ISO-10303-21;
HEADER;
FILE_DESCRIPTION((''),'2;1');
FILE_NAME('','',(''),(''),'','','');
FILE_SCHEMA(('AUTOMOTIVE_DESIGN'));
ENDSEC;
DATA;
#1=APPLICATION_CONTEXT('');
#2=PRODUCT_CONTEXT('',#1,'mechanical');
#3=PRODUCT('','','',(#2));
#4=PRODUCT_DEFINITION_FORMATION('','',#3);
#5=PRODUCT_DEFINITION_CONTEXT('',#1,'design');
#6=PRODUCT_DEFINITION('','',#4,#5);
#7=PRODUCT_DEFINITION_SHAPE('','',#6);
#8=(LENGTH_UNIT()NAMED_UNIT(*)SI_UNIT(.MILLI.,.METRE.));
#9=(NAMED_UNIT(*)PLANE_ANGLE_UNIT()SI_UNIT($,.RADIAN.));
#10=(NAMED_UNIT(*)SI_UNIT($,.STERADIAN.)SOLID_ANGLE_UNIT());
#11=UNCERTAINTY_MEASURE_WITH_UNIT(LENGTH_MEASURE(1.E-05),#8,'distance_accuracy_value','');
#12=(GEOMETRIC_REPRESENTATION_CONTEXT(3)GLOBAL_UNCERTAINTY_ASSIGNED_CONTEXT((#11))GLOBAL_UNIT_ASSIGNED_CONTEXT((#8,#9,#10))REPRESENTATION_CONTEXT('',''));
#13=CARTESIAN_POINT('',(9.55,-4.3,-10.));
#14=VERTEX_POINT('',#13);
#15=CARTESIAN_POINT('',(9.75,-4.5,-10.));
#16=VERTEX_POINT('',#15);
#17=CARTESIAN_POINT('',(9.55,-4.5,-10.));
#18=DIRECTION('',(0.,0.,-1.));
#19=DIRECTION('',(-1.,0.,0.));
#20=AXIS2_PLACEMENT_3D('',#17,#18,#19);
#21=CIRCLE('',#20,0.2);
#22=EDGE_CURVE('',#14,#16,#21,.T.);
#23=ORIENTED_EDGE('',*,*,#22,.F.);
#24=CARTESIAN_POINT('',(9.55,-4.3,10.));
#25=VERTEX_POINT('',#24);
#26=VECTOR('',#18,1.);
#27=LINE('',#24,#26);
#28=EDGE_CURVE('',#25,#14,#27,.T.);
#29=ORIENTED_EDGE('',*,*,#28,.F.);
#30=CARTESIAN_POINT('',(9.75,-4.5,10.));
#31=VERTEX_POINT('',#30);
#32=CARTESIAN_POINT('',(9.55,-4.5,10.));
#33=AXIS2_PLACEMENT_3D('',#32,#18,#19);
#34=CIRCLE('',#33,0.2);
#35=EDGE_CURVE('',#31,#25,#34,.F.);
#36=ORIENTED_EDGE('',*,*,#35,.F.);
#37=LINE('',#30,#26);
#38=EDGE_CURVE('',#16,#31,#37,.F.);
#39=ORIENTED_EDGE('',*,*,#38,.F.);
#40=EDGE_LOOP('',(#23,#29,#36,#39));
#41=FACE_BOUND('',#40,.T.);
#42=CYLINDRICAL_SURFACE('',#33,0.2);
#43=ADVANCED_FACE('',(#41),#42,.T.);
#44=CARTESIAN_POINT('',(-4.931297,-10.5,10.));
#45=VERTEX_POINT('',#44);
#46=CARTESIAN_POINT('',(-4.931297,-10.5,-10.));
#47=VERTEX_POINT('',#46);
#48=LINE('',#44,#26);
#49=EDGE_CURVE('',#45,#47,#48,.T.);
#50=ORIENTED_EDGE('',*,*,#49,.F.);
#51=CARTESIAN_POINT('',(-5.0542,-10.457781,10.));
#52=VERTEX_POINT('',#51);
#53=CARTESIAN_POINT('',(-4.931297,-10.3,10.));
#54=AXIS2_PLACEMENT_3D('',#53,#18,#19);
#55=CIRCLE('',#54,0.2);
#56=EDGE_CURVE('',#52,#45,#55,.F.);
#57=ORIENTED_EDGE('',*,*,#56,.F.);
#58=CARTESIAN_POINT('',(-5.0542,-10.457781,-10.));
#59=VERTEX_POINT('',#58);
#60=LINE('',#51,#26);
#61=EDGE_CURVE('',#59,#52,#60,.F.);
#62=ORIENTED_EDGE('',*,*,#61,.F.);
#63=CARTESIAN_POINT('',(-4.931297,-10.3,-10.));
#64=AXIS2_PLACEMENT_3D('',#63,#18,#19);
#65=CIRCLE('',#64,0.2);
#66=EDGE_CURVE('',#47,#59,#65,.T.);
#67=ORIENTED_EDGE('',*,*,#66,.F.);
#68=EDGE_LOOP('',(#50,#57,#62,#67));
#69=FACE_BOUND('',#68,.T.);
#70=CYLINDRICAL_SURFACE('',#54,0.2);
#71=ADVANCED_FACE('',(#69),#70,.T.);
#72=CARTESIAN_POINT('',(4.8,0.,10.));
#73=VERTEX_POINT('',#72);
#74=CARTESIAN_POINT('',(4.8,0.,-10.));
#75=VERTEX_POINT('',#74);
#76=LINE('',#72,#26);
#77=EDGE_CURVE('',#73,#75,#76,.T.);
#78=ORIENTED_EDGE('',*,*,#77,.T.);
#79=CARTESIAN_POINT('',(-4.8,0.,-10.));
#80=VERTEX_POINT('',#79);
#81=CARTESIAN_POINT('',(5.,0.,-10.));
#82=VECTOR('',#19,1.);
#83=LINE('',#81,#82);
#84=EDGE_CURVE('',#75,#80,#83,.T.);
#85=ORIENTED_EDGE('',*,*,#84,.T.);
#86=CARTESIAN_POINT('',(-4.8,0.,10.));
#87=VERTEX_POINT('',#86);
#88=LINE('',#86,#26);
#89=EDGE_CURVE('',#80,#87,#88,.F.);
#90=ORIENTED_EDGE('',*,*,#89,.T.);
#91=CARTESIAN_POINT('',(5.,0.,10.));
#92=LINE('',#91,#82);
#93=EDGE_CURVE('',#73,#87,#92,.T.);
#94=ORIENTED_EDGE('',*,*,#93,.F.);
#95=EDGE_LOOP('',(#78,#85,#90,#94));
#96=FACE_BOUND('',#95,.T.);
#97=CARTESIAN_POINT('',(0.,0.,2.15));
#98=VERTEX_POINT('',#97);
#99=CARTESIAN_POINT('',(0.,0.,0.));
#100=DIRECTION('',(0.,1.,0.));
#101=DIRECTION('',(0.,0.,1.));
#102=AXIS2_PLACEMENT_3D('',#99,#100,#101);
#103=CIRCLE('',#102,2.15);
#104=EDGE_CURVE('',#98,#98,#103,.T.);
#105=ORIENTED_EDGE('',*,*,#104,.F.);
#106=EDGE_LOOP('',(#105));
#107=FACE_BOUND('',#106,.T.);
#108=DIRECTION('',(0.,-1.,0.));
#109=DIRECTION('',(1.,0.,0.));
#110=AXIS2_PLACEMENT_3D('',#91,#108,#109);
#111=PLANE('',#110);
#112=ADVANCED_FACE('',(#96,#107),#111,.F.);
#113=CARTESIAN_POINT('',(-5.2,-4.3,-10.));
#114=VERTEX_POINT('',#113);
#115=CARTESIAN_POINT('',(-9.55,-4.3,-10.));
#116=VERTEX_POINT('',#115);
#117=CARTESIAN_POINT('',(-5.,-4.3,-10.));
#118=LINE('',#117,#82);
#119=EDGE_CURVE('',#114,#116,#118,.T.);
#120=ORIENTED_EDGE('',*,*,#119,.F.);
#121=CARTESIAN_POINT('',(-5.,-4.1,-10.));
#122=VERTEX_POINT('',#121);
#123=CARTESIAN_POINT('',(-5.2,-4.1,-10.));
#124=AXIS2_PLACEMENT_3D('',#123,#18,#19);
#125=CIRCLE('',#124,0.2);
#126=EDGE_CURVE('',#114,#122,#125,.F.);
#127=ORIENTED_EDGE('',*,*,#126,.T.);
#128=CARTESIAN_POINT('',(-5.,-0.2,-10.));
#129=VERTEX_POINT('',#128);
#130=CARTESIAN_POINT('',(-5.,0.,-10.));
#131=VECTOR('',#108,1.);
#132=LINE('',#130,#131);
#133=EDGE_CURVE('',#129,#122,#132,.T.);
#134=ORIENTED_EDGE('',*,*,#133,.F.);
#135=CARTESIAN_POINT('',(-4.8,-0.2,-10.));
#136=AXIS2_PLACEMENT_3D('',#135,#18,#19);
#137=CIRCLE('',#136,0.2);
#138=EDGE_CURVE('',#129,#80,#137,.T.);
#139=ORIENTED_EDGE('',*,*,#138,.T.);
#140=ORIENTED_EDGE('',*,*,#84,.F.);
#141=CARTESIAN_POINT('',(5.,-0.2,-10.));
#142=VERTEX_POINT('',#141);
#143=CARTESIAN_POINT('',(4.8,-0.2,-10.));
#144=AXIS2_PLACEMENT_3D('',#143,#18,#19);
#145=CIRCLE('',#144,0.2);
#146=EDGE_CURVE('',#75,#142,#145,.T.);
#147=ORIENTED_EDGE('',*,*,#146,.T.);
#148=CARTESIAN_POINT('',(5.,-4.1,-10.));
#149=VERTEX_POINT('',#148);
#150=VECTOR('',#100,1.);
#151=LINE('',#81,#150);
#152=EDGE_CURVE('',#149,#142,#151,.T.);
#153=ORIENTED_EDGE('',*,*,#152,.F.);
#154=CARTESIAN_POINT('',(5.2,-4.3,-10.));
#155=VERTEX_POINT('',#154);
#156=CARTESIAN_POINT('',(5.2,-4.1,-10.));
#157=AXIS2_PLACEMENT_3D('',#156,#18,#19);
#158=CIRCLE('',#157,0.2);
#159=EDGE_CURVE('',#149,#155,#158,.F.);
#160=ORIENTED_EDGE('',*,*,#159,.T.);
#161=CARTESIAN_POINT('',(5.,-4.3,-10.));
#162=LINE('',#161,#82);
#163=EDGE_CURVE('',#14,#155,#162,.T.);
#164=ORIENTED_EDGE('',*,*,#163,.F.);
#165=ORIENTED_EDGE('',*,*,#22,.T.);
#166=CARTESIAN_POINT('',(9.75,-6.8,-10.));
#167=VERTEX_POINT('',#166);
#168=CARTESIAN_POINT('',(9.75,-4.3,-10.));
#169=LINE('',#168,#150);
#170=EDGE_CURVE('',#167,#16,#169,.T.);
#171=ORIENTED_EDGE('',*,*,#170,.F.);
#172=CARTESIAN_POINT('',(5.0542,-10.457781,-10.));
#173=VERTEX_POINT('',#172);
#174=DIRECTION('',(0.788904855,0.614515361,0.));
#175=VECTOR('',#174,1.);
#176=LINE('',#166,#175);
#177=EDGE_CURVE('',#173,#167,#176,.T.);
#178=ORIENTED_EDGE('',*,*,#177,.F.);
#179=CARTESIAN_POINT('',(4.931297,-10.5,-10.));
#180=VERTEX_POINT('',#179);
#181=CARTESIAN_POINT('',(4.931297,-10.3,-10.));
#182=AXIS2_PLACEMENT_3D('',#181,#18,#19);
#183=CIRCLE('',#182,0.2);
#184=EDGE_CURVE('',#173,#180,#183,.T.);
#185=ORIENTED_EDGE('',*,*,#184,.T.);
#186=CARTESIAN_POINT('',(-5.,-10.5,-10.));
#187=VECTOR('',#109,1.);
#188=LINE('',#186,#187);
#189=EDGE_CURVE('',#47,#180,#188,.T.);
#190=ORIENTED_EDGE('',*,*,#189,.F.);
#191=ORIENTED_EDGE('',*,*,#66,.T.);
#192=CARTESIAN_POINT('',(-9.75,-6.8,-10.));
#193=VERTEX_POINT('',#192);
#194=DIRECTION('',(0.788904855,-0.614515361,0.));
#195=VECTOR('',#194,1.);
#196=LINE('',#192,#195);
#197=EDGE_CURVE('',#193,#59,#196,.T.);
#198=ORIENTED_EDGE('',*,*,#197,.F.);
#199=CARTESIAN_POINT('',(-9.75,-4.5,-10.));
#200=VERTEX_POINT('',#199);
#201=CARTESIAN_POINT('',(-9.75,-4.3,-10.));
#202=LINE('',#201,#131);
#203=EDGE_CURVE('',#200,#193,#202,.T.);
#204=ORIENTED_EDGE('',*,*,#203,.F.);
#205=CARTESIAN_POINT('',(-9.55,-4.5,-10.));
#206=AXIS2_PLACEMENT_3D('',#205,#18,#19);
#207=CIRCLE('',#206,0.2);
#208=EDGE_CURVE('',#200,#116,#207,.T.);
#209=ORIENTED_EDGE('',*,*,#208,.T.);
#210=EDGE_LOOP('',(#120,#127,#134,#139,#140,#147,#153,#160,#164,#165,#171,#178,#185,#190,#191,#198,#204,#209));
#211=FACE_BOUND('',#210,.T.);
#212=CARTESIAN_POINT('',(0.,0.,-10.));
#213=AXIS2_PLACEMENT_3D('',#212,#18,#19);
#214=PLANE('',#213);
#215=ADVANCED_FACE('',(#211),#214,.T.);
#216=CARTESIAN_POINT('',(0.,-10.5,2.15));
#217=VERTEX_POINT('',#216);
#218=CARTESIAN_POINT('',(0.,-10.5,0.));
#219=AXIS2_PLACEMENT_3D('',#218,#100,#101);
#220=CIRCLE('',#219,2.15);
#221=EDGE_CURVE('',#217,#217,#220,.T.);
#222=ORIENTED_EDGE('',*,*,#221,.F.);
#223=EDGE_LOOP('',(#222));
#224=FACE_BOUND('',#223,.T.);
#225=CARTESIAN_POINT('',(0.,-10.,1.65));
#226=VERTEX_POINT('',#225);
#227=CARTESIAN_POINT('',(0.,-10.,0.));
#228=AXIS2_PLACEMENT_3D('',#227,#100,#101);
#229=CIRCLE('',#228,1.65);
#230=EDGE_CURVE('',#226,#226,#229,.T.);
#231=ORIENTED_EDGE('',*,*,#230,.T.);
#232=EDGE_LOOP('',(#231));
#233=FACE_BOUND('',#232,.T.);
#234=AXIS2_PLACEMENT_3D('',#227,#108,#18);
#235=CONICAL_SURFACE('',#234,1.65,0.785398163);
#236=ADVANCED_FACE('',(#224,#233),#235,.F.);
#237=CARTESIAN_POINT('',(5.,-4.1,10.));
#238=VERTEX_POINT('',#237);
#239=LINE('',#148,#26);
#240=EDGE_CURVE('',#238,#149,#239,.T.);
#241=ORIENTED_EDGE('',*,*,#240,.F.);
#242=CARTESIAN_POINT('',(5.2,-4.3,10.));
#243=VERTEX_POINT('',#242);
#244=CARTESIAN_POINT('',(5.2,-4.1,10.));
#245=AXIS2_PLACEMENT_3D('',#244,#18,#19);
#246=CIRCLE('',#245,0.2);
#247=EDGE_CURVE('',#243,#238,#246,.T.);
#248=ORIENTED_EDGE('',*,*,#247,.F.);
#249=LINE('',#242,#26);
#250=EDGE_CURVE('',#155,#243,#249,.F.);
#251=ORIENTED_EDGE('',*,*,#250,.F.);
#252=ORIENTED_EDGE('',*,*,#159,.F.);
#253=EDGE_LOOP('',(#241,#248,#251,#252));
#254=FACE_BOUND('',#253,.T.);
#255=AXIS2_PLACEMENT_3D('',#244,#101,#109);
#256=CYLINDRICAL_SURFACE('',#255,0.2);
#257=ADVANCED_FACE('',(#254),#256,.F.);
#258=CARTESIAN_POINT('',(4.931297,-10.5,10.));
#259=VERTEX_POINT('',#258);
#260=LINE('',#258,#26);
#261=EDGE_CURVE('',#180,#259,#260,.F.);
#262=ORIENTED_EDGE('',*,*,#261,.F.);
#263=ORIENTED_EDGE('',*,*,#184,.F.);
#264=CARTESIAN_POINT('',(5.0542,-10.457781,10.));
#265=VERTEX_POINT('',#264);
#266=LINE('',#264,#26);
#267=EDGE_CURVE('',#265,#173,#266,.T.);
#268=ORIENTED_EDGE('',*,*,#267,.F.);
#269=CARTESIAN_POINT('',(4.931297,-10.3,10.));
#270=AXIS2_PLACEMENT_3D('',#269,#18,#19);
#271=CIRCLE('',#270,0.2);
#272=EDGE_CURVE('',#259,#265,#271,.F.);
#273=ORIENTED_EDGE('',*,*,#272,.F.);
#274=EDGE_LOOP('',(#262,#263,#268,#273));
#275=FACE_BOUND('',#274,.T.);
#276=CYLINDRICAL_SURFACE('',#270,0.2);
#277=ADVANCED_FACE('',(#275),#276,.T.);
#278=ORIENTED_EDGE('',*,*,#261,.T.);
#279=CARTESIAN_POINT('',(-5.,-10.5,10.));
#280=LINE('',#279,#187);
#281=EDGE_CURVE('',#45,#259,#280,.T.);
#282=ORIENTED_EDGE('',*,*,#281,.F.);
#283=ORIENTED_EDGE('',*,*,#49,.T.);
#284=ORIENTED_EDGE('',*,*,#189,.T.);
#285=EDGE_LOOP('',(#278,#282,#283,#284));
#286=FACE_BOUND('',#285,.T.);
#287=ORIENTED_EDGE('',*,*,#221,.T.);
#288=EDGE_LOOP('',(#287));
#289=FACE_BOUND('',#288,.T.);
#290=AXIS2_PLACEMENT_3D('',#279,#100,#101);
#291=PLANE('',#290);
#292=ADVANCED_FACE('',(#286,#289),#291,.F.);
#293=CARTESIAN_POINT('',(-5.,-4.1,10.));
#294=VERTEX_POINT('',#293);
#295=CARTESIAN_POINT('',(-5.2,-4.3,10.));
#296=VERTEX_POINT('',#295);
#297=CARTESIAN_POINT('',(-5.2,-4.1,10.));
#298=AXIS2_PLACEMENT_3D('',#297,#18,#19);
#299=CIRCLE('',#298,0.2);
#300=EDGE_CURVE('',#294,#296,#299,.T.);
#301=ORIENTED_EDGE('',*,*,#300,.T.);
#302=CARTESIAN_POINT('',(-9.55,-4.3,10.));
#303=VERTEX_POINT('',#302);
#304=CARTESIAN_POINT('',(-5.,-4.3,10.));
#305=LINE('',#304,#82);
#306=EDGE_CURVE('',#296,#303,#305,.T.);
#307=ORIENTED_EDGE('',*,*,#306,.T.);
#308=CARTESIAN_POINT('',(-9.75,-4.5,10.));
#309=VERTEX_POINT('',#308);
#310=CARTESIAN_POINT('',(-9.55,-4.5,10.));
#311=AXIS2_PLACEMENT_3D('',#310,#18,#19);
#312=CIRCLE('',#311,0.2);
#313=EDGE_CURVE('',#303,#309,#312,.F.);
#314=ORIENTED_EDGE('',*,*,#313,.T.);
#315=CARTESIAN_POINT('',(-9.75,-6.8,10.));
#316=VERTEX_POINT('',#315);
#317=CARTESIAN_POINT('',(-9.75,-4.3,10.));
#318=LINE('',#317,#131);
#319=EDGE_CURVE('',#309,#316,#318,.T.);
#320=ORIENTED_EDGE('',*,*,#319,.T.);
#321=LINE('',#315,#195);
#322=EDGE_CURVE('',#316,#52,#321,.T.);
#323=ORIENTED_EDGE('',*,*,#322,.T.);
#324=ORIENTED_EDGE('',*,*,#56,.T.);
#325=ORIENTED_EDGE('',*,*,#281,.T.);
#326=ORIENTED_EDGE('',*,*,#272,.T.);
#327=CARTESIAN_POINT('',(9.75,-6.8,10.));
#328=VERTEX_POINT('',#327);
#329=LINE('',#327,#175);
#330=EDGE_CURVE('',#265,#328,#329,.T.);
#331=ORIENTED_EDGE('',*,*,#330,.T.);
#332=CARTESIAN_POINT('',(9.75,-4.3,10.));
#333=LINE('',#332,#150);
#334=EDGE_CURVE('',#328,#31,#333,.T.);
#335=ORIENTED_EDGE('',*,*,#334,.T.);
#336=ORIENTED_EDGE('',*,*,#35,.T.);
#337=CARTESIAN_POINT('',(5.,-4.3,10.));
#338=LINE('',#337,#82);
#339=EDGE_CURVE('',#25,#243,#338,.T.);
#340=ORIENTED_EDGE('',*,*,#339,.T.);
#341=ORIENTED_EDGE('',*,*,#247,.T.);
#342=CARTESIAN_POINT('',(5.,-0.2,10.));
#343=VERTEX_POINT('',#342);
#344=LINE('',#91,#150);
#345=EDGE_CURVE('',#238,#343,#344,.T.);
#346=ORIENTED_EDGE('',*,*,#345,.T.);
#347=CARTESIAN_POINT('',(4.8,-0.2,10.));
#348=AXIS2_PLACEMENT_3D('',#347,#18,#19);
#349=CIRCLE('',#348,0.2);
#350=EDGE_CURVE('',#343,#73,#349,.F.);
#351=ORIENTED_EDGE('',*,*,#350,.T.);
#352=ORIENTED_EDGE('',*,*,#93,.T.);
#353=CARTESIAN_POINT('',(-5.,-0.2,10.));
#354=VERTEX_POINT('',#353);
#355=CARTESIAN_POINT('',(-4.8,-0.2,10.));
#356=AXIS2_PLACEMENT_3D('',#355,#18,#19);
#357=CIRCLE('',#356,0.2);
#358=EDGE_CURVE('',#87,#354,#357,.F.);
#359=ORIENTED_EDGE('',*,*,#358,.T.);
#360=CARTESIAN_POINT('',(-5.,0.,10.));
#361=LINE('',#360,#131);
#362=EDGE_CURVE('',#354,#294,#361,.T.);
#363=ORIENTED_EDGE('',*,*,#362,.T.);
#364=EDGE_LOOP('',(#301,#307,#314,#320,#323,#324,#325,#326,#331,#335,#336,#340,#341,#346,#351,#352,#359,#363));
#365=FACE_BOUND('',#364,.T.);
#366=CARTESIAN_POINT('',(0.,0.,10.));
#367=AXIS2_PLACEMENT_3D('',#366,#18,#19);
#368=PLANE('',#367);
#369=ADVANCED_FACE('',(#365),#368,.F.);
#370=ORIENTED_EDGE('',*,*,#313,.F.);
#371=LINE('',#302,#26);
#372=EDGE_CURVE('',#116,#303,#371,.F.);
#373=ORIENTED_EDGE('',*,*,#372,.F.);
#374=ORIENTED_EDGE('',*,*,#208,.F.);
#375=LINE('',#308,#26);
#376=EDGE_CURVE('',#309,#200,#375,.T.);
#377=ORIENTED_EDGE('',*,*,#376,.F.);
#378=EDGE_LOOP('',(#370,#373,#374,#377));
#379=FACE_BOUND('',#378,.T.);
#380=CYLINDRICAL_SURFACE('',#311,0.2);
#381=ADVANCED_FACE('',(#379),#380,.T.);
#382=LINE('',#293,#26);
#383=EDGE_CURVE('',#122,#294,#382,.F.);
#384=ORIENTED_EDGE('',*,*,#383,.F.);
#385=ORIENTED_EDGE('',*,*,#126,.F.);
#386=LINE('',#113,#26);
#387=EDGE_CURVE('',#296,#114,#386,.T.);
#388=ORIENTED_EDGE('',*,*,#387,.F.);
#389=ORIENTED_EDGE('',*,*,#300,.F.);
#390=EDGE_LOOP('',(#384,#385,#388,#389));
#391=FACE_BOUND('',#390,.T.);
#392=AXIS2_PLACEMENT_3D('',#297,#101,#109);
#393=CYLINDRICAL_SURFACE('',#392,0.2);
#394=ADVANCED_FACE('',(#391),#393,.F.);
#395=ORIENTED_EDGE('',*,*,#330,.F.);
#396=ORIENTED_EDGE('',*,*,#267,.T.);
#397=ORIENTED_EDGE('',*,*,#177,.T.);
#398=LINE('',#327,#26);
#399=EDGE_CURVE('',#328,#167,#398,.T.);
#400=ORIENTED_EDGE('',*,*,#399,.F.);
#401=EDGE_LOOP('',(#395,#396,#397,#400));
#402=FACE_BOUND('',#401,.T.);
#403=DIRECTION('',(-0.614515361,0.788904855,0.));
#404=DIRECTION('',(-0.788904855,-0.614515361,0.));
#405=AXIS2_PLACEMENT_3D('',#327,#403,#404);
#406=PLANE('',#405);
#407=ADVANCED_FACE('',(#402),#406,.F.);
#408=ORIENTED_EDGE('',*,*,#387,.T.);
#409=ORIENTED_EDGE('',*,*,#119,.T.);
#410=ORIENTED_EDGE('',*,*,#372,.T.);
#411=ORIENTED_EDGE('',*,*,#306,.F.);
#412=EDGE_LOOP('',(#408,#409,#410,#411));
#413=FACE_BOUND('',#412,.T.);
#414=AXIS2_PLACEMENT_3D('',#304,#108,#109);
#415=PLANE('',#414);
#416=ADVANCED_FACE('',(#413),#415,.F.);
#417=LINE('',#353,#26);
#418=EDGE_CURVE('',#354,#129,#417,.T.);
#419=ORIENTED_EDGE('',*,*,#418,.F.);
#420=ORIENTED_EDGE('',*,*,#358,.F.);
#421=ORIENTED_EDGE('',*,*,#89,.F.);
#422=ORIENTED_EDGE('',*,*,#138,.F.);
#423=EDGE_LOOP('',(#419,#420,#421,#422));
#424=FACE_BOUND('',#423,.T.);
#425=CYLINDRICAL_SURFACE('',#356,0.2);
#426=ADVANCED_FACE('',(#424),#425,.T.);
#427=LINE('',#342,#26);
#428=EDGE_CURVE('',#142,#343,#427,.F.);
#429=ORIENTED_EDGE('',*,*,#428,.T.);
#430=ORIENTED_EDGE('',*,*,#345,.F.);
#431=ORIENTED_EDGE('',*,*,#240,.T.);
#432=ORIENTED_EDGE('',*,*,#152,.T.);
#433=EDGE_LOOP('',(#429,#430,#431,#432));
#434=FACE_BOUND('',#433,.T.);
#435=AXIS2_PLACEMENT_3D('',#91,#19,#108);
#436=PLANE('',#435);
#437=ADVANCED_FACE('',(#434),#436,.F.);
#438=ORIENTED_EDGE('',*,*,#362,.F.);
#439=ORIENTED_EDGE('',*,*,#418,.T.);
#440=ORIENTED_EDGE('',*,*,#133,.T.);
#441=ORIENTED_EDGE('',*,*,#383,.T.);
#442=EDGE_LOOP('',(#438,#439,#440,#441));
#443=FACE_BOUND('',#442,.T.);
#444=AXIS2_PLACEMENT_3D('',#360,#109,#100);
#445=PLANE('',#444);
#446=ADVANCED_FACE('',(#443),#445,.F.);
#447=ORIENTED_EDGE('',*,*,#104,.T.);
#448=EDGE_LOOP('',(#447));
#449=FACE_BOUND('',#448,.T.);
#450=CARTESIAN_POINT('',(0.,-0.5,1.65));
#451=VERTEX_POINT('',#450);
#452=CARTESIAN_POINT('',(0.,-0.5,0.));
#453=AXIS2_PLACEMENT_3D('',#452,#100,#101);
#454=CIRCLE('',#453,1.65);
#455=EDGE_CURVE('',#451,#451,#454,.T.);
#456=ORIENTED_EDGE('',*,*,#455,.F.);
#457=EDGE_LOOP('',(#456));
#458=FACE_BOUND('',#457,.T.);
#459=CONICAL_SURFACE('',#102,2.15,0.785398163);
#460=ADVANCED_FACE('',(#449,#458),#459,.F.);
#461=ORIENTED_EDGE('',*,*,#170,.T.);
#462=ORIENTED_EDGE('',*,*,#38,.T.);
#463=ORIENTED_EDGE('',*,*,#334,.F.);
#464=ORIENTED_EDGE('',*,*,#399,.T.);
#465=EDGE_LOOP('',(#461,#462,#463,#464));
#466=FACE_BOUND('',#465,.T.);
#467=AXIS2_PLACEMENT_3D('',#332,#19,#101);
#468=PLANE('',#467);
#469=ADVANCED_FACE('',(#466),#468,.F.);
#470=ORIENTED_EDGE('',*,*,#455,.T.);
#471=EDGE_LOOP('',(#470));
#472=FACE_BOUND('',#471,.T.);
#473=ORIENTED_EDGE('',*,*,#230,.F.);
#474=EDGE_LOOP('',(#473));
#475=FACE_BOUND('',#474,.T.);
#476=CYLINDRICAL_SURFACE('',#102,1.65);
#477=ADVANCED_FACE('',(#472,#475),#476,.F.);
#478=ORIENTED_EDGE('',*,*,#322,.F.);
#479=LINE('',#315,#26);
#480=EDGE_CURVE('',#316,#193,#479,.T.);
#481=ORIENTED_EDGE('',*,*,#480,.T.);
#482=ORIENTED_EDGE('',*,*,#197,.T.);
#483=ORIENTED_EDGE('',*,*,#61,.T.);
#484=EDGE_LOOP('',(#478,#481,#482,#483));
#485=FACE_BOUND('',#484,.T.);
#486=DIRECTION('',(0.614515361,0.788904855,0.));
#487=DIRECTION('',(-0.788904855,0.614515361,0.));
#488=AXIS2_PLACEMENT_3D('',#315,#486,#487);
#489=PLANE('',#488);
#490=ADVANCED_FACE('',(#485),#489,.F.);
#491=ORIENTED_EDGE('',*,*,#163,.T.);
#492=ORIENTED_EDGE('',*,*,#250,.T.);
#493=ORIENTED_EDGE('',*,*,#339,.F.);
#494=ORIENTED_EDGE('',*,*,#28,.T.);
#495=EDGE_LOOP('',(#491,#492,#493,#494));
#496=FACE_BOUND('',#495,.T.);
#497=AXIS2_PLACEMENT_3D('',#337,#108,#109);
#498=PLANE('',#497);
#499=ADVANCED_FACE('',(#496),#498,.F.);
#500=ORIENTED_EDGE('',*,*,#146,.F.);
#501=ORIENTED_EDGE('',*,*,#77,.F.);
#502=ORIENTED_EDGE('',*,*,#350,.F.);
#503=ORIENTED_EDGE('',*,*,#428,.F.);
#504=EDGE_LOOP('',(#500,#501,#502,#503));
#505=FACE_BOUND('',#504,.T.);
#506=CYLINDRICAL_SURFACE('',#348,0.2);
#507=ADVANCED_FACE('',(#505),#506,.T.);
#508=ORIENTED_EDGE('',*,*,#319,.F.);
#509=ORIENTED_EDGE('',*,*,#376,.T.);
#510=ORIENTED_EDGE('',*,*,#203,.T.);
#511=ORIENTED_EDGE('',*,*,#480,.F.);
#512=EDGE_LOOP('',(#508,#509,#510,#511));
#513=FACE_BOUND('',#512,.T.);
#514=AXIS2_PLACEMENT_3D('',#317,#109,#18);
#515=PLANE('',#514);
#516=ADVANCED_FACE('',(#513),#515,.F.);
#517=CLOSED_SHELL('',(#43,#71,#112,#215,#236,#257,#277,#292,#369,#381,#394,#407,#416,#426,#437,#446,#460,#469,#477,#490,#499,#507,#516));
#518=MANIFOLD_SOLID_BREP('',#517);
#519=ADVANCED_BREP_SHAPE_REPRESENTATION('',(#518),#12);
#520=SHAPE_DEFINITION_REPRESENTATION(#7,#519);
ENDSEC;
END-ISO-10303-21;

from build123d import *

# Parameters (mm, degrees)
EXTRUDE_1_DEPTH = 10
FILLET_1_R      = 0.2


with BuildPart() as part:
    # Эскиз1 → Бобышка-Вытянуть1 (new body, symmetric)
    with BuildSketch(Plane.XY):
        Polygon((5, 0), (-5, 0), (-5, -4.3), (-9.75, -4.3), (-9.75, -6.8), (-5, -10.5), (5, -10.5), (9.75, -6.8), (9.75, -4.3), (5, -4.3), align=None)
    extrude(amount=EXTRUDE_1_DEPTH, both=True)

    # Эскиз4 → Отверстие обработанное метчиком M44 (revolve, cut)
    with BuildSketch(Plane(origin=(0, 0, 0), x_dir=(0, 0, 1), z_dir=(1, 0, 0))):
        Polygon((0, 0), (0, 10.5), (2.15, 10.5), (1.65, 10), (1.65, 0.5), (2.15, 0), align=None)
    revolve(axis=Axis((0, 6.35, 0), (0, -1, 0)), mode=Mode.SUBTRACT)

    # Скругление1
    fillet_1_edges = [part.edges().sort_by_distance(p)[0] for p in [
        (-5, 0, 0),
        (5, 0, 0),
        (5, -4.3, 0),
        (9.75, -4.3, 0),
        (5, -10.5, 0),
        (-5, -10.5, 0),
        (-9.75, -4.3, 0),
        (-5, -4.3, 0),
    ]]
    fillet(fillet_1_edges, radius=FILLET_1_R)


solid = part.part
